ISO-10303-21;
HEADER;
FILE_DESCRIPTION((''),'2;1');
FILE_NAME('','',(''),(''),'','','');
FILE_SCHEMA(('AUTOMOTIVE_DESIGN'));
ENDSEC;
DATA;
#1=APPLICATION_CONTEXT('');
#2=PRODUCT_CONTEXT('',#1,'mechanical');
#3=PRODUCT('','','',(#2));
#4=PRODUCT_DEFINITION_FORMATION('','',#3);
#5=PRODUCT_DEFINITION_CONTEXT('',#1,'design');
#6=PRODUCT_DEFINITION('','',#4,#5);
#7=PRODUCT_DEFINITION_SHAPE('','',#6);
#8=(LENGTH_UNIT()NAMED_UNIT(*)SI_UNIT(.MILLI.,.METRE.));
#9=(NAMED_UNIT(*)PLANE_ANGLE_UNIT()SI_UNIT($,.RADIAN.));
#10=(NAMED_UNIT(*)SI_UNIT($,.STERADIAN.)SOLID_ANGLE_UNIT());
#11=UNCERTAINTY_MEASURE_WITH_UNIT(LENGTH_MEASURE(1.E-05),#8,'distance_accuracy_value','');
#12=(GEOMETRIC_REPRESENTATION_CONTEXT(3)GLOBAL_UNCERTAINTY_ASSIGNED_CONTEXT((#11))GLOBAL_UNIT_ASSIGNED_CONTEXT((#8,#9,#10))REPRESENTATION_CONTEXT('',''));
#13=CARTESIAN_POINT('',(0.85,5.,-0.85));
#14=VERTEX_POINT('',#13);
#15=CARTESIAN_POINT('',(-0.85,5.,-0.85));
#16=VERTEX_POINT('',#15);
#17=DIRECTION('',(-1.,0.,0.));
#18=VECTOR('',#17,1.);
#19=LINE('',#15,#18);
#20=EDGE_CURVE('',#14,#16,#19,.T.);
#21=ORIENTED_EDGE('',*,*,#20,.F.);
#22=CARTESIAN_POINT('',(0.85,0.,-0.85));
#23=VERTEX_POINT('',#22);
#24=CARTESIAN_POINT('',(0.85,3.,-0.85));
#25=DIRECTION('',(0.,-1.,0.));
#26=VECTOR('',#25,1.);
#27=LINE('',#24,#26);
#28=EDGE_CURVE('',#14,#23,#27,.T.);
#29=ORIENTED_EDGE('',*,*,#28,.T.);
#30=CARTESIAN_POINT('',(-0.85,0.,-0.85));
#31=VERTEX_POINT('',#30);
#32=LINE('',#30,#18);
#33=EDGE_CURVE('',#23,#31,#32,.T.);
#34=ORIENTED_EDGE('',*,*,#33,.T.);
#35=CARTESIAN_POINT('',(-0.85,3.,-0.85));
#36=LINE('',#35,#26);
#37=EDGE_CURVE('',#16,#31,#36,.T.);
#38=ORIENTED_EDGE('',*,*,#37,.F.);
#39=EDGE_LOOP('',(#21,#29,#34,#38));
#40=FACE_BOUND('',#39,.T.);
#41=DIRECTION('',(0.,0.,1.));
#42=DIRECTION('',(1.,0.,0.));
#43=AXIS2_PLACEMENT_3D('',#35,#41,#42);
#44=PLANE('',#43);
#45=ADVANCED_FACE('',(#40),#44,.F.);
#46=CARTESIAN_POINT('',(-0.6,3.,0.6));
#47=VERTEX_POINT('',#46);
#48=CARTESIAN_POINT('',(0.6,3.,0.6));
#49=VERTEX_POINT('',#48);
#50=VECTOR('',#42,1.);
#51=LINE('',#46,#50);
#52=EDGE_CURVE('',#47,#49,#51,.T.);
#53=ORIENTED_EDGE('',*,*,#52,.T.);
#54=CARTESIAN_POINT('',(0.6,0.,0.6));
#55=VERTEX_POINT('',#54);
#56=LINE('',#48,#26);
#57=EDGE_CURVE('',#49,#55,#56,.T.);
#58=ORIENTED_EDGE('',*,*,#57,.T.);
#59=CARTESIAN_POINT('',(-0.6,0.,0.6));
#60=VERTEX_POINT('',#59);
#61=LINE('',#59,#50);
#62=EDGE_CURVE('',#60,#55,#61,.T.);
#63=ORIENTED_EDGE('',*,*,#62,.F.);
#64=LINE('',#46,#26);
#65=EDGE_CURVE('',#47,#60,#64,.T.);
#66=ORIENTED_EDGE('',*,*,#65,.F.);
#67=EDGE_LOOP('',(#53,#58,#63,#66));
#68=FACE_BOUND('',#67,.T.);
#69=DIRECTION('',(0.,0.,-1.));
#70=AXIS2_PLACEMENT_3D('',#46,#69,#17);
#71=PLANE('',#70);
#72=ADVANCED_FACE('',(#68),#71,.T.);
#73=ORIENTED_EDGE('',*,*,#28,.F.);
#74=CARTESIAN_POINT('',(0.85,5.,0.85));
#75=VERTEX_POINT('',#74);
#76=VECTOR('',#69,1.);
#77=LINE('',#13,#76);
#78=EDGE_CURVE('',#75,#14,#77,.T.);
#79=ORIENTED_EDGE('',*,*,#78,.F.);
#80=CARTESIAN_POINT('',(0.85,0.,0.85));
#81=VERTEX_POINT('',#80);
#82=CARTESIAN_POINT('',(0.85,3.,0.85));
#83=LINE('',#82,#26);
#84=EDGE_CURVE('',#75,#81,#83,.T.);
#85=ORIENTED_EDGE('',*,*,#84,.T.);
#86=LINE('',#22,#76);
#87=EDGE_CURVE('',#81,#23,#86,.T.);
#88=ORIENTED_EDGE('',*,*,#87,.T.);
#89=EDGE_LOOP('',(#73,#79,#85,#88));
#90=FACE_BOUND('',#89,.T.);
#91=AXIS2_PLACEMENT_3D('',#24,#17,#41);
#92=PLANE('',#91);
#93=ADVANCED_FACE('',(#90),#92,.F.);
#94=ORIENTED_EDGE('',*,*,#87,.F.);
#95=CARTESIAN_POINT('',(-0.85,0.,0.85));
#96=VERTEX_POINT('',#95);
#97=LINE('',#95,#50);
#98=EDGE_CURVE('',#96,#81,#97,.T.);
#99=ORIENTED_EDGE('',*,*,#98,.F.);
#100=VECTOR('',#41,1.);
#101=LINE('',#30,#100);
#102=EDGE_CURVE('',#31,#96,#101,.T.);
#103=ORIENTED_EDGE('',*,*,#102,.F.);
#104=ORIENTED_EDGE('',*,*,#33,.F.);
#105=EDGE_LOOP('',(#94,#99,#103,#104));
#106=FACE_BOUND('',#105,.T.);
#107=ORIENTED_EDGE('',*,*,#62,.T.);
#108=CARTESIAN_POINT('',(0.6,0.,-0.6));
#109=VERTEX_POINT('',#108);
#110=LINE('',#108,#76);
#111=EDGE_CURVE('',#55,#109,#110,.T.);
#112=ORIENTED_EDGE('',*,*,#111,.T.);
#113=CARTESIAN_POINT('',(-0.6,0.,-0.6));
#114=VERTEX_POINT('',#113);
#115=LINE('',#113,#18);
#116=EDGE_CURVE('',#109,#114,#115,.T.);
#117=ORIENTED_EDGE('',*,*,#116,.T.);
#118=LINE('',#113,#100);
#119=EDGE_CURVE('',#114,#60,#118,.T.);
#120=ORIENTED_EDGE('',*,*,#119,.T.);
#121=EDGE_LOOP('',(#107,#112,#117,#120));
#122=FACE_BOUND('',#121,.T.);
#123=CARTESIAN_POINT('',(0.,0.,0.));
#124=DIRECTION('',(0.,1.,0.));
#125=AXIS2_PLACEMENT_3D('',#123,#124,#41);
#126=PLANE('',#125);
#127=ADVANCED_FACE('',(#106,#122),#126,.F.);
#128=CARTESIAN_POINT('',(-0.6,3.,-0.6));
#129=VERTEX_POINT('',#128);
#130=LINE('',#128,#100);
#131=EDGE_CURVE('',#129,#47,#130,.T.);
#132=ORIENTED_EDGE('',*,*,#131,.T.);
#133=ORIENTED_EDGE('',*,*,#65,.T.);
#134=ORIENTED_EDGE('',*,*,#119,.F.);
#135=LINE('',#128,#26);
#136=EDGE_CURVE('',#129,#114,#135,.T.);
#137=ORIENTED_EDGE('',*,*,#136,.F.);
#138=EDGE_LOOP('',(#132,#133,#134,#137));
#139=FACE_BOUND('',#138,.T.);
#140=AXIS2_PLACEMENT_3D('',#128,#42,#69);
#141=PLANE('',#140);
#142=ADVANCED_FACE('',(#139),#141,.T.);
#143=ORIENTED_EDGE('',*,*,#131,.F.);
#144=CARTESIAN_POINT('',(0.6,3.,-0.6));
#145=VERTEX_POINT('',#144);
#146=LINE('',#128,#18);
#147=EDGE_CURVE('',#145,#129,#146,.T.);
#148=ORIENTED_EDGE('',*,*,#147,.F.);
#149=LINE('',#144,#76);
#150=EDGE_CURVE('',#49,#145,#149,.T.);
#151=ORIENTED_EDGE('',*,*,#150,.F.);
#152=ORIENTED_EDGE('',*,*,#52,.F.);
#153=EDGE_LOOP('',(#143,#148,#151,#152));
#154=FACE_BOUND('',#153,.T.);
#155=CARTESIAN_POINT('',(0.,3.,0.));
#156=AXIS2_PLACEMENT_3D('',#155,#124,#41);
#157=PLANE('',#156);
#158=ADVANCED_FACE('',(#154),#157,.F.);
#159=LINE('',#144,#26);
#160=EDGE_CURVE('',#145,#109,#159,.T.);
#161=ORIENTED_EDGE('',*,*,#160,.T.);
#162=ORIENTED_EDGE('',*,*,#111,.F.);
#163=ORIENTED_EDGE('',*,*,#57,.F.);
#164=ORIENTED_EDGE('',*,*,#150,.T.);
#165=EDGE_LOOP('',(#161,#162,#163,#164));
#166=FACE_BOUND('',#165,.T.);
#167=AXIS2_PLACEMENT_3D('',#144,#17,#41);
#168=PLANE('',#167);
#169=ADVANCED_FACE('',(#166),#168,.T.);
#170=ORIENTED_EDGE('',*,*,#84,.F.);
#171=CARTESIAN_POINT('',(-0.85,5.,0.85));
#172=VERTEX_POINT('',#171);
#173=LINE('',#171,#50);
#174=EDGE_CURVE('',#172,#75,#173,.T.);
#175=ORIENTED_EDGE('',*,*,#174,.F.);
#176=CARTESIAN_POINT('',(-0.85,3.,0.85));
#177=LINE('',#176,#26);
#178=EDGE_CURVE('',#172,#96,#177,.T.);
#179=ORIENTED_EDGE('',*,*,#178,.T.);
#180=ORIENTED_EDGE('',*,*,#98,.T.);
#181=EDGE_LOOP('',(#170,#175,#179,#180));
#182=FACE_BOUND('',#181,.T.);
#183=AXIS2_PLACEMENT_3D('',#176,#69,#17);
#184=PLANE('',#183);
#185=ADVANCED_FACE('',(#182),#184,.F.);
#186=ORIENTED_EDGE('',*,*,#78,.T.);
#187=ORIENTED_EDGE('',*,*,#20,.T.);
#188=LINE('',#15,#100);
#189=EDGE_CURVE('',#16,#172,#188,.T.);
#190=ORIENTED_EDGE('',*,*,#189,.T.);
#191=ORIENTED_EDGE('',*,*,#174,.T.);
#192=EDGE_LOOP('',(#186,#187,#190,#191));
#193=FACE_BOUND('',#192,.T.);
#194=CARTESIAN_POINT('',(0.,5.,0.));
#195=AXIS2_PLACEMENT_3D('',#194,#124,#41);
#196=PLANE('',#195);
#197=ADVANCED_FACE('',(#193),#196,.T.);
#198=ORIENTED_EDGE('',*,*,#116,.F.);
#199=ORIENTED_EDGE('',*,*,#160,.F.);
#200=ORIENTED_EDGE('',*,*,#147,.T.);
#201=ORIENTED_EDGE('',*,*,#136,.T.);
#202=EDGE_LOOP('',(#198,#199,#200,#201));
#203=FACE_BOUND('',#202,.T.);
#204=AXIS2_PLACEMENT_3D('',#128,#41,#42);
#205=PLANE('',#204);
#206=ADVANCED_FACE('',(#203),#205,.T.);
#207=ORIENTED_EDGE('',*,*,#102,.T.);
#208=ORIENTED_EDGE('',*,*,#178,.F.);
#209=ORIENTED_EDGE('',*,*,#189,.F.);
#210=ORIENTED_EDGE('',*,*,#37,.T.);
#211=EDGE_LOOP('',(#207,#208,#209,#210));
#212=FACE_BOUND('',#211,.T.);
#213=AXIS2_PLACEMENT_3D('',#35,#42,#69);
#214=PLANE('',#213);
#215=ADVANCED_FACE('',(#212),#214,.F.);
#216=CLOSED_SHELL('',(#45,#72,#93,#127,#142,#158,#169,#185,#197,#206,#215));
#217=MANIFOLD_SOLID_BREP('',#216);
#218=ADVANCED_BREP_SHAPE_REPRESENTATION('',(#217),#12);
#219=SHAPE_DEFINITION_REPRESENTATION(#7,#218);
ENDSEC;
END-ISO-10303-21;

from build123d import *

# Parameters (mm, degrees)
SKETCH_1_W      = 1.7
SKETCH_1_H      = 1.7
SKETCH_1_W_2    = 1.2
SKETCH_1_H_2    = 1.2
EXTRUDE_1_DEPTH = 3
SKETCH_2_W      = 1.7
SKETCH_2_H      = 1.7
EXTRUDE_2_DEPTH = 2


with BuildPart() as part:
    # 草图1 → 凸台-拉伸1 (new body)
    with BuildSketch(Plane(origin=(0, 0, 0), x_dir=(1, 0, 0), z_dir=(0, 1, 0))):
        Rectangle(SKETCH_1_W, SKETCH_1_H)
        Rectangle(SKETCH_1_W_2, SKETCH_1_H_2, mode=Mode.SUBTRACT)
    extrude(amount=EXTRUDE_1_DEPTH)

    # 草图2 → 凸台-拉伸2 (add)
    with BuildSketch(Plane(origin=(0, 3, 0), x_dir=(1, 0, 0), z_dir=(0, 1, 0))):
        Rectangle(SKETCH_2_W, SKETCH_2_H)
    extrude(amount=EXTRUDE_2_DEPTH)


solid = part.part
